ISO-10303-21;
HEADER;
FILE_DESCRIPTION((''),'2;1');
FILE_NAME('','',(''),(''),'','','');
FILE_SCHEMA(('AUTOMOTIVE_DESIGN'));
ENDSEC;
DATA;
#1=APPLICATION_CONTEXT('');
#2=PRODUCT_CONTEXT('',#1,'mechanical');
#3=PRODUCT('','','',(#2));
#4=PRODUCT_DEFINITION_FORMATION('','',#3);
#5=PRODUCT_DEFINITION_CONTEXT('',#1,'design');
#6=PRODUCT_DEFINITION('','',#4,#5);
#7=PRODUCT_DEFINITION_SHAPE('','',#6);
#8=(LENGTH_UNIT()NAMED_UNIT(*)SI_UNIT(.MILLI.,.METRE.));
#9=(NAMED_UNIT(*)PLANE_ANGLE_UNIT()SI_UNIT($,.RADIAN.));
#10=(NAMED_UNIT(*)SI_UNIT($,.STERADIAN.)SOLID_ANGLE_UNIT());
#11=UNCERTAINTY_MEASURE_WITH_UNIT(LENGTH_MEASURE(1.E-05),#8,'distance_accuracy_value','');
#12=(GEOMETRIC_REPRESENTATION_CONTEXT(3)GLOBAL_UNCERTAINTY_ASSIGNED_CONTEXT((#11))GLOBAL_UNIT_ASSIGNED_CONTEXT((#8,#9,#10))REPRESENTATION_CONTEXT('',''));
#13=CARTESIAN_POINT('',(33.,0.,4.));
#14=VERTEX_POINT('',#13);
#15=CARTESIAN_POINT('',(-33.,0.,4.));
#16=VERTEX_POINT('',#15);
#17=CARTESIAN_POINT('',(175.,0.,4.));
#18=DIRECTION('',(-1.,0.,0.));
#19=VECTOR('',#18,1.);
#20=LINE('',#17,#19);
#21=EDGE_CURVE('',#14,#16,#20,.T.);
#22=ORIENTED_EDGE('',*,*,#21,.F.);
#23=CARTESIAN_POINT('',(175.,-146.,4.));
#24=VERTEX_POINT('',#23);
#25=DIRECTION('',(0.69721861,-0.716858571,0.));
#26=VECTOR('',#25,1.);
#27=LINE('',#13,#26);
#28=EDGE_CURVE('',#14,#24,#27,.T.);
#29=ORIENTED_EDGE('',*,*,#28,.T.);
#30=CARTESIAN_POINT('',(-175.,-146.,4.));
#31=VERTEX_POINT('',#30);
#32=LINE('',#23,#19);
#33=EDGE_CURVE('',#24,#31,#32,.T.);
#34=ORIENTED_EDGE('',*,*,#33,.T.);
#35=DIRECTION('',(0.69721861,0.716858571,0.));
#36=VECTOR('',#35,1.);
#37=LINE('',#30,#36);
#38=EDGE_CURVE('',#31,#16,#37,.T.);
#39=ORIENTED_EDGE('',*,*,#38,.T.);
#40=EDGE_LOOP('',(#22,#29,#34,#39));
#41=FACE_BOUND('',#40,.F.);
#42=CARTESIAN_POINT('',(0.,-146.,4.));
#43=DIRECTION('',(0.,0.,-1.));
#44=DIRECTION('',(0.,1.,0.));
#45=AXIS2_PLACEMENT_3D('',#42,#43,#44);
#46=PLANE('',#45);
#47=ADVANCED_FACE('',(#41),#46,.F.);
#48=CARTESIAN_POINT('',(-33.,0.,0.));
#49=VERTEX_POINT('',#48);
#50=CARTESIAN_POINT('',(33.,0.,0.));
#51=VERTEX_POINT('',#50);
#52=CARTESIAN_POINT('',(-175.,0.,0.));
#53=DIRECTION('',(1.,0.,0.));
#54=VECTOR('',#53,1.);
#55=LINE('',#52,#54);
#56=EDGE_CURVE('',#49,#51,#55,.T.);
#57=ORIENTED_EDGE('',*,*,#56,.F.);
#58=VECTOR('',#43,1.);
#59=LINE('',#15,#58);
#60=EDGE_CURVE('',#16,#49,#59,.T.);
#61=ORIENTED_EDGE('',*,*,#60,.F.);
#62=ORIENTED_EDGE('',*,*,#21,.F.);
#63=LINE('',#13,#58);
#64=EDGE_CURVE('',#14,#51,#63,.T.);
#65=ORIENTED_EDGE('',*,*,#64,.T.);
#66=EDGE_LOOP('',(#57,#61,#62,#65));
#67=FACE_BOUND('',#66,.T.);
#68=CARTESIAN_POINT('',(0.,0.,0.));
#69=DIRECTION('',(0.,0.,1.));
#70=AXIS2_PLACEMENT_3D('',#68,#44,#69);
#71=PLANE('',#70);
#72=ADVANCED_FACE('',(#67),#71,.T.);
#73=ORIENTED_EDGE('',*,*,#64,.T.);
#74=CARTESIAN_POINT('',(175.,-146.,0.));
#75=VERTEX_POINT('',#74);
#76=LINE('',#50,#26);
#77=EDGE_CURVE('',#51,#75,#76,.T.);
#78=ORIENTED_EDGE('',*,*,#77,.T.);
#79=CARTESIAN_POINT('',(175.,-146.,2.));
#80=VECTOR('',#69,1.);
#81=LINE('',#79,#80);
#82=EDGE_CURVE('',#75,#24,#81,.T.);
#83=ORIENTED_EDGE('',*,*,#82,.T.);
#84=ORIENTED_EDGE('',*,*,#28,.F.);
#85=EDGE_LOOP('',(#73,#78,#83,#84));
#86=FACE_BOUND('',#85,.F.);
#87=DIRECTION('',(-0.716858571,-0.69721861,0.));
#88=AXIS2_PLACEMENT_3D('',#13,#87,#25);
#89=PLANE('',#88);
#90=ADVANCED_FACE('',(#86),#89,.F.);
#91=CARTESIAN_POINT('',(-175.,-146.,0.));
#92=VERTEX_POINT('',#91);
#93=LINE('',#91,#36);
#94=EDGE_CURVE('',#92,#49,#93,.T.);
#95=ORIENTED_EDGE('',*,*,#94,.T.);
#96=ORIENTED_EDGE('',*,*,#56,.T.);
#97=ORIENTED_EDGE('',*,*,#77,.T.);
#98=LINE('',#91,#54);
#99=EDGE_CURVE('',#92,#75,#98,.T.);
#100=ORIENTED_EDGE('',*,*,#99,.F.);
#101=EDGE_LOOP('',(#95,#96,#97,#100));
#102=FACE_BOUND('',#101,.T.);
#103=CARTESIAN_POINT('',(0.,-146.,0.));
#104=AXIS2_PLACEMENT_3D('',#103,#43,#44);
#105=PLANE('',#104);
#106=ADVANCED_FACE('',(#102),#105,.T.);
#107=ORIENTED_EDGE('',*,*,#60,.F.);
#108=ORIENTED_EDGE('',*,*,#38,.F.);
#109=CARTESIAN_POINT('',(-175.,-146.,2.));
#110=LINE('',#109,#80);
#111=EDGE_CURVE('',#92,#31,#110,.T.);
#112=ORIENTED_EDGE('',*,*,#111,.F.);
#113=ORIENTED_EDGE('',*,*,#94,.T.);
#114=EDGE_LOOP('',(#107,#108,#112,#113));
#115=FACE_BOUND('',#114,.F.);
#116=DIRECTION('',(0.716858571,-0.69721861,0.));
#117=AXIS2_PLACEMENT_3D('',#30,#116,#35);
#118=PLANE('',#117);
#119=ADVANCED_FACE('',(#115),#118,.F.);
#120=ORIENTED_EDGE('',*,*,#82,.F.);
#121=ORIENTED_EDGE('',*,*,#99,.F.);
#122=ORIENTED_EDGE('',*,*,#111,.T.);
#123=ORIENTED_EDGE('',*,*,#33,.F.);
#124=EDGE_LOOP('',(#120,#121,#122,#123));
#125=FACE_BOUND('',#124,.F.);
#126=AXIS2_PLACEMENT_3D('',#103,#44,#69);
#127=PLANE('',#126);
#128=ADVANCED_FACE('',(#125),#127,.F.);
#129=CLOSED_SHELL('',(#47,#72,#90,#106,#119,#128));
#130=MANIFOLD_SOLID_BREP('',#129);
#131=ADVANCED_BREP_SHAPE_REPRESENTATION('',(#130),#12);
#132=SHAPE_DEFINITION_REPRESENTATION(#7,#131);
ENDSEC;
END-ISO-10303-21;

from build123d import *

# Parameters (mm, degrees)
F0_W     = 146
F0_H     = 4
F1_DEPTH = 175
F3_DEPTH = 4


with BuildPart() as f1:
    # F0 (on Right) → F1 (new body, symmetric)
    with BuildSketch(Plane.YZ):
        with Locations((-73, 2)):
            Rectangle(F0_W, F0_H)
    extrude(amount=F1_DEPTH, both=True)

    # F2 (on face) → F3 (cut, through all)
    with BuildSketch(Plane.XY.offset(4)):
        Polygon((-175, 0), (-175, -146), (-33, 0), align=None)
        Polygon((33, 0), (175, -146), (175, 0), align=None)
    extrude(amount=-F3_DEPTH, mode=Mode.SUBTRACT)


solid = f1.part
